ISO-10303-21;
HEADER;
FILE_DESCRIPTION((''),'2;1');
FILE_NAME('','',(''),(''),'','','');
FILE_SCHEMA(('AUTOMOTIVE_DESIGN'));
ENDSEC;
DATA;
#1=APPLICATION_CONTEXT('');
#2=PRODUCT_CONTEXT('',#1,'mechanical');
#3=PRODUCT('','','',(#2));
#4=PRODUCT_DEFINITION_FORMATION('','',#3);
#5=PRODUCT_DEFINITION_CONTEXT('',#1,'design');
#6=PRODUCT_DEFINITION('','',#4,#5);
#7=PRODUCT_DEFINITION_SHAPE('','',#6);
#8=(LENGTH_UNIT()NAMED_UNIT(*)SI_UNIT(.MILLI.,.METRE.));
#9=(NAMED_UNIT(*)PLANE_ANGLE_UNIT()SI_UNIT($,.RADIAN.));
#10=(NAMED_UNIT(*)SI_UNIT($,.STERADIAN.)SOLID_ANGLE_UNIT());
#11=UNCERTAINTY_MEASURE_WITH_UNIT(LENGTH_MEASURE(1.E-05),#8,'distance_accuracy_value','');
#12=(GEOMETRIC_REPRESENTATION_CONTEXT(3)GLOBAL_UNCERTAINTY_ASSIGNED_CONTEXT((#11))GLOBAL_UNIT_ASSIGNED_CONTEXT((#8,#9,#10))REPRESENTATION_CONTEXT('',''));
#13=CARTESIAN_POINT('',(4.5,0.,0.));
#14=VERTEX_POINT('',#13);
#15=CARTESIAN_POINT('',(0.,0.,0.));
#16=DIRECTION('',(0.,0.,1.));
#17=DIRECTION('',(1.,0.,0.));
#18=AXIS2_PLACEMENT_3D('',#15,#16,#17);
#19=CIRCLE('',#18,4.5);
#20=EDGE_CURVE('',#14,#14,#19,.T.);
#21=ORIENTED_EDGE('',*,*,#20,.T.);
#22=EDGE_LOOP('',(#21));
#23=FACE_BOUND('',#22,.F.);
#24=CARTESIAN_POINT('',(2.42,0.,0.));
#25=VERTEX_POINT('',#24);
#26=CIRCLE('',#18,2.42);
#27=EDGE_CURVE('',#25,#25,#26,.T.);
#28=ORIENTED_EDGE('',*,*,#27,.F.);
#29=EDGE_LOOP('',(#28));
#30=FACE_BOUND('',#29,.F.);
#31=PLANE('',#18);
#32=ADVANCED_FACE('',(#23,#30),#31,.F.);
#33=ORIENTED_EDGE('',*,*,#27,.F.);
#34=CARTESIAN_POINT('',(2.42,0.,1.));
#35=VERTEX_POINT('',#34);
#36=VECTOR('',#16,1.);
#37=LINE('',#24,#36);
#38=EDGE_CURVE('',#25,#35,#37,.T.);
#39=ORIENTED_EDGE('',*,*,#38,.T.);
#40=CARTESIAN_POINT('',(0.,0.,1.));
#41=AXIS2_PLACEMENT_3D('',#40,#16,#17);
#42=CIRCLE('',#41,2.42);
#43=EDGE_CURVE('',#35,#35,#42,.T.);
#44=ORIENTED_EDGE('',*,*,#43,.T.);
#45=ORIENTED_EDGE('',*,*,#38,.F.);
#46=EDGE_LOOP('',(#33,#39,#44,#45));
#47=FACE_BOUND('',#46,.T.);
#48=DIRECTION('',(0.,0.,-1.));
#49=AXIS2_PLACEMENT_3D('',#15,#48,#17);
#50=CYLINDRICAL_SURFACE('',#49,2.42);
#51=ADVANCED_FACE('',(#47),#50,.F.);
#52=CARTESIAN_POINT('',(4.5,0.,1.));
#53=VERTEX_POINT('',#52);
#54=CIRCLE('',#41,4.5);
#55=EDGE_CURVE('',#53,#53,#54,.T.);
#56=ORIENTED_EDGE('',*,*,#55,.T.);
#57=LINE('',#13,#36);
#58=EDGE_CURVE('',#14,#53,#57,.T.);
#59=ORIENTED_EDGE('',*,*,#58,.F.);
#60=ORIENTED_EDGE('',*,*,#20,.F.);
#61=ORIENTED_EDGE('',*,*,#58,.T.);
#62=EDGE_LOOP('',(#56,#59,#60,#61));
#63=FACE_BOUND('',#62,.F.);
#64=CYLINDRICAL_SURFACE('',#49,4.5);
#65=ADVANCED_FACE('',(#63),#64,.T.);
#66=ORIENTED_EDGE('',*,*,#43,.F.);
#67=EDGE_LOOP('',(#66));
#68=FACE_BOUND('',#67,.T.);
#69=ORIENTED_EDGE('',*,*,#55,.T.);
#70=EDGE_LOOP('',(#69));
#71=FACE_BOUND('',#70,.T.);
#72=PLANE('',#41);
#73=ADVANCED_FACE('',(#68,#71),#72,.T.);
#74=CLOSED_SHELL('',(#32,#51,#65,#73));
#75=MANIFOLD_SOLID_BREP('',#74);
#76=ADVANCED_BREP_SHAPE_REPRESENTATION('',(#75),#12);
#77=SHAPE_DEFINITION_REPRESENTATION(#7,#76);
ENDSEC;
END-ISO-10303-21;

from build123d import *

# Parameters (mm, degrees)
SKETCH_R   = 4.5
SKETCH_R_2 = 2.42
PAD_DEPTH  = 1


with BuildPart() as part:
    # Sketch → Pad (new body)
    with BuildSketch(Plane.XY):
        Circle(SKETCH_R)
        Circle(SKETCH_R_2, mode=Mode.SUBTRACT)
    extrude(amount=PAD_DEPTH)


solid = part.part
